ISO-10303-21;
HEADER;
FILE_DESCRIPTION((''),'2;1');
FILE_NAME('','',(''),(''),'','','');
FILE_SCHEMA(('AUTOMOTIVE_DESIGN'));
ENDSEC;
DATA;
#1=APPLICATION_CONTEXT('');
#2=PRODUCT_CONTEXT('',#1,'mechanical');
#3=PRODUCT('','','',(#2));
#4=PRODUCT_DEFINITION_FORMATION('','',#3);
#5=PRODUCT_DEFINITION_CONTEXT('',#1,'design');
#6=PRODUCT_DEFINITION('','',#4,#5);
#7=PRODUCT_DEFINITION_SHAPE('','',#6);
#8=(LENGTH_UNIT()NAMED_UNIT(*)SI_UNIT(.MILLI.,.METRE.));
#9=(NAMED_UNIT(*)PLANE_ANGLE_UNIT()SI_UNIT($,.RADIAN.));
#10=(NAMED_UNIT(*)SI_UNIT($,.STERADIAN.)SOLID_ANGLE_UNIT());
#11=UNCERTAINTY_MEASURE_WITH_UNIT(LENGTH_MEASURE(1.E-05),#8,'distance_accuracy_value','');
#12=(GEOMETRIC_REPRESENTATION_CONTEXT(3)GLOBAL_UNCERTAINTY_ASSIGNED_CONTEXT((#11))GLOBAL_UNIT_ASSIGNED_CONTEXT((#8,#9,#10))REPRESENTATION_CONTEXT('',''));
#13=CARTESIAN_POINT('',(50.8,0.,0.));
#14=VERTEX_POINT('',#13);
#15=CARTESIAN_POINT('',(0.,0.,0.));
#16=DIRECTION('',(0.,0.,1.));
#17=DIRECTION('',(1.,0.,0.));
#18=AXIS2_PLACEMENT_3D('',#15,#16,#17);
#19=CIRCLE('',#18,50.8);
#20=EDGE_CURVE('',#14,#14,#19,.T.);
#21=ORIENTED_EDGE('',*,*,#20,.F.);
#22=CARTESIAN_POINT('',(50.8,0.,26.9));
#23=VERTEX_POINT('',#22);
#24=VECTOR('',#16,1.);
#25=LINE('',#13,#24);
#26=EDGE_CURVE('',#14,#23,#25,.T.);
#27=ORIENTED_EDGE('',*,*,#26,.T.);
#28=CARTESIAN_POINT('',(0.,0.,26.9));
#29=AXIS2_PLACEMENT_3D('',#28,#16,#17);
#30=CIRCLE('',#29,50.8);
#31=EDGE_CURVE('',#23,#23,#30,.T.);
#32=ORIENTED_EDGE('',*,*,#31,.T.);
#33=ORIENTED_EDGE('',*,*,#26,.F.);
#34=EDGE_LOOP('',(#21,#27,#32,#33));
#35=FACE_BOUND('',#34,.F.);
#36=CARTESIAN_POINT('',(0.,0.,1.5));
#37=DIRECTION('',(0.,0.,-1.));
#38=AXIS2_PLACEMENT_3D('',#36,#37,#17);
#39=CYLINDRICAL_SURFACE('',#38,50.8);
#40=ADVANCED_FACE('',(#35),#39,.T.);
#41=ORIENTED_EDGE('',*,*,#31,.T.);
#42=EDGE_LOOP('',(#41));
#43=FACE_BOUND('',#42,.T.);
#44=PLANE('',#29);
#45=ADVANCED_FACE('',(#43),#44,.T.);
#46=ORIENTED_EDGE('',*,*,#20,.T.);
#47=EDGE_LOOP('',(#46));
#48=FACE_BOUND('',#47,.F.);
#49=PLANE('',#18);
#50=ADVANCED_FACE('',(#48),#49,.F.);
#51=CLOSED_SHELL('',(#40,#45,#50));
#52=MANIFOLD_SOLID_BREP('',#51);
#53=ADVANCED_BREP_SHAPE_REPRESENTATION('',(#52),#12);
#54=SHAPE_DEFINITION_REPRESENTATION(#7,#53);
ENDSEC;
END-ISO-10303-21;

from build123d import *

# Parameters (mm, degrees)
F0_R     = 50.8
F1_DEPTH = 1.5
F2_R     = 50.8
F2_R_2   = 1.5
F3_DEPTH = 25.4


with BuildPart() as f1:
    # F0 (on Top) → F1 (new body)
    with BuildSketch(Plane.XY):
        Circle(F0_R)
    extrude(amount=F1_DEPTH)

    # F2 (on face) → F3 (join)
    with BuildSketch(Plane.XY.offset(1.5)):
        Circle(F2_R)
        Circle(F2_R_2, mode=Mode.SUBTRACT)
        Circle(F2_R_2)
    extrude(amount=F3_DEPTH)


solid = f1.part
